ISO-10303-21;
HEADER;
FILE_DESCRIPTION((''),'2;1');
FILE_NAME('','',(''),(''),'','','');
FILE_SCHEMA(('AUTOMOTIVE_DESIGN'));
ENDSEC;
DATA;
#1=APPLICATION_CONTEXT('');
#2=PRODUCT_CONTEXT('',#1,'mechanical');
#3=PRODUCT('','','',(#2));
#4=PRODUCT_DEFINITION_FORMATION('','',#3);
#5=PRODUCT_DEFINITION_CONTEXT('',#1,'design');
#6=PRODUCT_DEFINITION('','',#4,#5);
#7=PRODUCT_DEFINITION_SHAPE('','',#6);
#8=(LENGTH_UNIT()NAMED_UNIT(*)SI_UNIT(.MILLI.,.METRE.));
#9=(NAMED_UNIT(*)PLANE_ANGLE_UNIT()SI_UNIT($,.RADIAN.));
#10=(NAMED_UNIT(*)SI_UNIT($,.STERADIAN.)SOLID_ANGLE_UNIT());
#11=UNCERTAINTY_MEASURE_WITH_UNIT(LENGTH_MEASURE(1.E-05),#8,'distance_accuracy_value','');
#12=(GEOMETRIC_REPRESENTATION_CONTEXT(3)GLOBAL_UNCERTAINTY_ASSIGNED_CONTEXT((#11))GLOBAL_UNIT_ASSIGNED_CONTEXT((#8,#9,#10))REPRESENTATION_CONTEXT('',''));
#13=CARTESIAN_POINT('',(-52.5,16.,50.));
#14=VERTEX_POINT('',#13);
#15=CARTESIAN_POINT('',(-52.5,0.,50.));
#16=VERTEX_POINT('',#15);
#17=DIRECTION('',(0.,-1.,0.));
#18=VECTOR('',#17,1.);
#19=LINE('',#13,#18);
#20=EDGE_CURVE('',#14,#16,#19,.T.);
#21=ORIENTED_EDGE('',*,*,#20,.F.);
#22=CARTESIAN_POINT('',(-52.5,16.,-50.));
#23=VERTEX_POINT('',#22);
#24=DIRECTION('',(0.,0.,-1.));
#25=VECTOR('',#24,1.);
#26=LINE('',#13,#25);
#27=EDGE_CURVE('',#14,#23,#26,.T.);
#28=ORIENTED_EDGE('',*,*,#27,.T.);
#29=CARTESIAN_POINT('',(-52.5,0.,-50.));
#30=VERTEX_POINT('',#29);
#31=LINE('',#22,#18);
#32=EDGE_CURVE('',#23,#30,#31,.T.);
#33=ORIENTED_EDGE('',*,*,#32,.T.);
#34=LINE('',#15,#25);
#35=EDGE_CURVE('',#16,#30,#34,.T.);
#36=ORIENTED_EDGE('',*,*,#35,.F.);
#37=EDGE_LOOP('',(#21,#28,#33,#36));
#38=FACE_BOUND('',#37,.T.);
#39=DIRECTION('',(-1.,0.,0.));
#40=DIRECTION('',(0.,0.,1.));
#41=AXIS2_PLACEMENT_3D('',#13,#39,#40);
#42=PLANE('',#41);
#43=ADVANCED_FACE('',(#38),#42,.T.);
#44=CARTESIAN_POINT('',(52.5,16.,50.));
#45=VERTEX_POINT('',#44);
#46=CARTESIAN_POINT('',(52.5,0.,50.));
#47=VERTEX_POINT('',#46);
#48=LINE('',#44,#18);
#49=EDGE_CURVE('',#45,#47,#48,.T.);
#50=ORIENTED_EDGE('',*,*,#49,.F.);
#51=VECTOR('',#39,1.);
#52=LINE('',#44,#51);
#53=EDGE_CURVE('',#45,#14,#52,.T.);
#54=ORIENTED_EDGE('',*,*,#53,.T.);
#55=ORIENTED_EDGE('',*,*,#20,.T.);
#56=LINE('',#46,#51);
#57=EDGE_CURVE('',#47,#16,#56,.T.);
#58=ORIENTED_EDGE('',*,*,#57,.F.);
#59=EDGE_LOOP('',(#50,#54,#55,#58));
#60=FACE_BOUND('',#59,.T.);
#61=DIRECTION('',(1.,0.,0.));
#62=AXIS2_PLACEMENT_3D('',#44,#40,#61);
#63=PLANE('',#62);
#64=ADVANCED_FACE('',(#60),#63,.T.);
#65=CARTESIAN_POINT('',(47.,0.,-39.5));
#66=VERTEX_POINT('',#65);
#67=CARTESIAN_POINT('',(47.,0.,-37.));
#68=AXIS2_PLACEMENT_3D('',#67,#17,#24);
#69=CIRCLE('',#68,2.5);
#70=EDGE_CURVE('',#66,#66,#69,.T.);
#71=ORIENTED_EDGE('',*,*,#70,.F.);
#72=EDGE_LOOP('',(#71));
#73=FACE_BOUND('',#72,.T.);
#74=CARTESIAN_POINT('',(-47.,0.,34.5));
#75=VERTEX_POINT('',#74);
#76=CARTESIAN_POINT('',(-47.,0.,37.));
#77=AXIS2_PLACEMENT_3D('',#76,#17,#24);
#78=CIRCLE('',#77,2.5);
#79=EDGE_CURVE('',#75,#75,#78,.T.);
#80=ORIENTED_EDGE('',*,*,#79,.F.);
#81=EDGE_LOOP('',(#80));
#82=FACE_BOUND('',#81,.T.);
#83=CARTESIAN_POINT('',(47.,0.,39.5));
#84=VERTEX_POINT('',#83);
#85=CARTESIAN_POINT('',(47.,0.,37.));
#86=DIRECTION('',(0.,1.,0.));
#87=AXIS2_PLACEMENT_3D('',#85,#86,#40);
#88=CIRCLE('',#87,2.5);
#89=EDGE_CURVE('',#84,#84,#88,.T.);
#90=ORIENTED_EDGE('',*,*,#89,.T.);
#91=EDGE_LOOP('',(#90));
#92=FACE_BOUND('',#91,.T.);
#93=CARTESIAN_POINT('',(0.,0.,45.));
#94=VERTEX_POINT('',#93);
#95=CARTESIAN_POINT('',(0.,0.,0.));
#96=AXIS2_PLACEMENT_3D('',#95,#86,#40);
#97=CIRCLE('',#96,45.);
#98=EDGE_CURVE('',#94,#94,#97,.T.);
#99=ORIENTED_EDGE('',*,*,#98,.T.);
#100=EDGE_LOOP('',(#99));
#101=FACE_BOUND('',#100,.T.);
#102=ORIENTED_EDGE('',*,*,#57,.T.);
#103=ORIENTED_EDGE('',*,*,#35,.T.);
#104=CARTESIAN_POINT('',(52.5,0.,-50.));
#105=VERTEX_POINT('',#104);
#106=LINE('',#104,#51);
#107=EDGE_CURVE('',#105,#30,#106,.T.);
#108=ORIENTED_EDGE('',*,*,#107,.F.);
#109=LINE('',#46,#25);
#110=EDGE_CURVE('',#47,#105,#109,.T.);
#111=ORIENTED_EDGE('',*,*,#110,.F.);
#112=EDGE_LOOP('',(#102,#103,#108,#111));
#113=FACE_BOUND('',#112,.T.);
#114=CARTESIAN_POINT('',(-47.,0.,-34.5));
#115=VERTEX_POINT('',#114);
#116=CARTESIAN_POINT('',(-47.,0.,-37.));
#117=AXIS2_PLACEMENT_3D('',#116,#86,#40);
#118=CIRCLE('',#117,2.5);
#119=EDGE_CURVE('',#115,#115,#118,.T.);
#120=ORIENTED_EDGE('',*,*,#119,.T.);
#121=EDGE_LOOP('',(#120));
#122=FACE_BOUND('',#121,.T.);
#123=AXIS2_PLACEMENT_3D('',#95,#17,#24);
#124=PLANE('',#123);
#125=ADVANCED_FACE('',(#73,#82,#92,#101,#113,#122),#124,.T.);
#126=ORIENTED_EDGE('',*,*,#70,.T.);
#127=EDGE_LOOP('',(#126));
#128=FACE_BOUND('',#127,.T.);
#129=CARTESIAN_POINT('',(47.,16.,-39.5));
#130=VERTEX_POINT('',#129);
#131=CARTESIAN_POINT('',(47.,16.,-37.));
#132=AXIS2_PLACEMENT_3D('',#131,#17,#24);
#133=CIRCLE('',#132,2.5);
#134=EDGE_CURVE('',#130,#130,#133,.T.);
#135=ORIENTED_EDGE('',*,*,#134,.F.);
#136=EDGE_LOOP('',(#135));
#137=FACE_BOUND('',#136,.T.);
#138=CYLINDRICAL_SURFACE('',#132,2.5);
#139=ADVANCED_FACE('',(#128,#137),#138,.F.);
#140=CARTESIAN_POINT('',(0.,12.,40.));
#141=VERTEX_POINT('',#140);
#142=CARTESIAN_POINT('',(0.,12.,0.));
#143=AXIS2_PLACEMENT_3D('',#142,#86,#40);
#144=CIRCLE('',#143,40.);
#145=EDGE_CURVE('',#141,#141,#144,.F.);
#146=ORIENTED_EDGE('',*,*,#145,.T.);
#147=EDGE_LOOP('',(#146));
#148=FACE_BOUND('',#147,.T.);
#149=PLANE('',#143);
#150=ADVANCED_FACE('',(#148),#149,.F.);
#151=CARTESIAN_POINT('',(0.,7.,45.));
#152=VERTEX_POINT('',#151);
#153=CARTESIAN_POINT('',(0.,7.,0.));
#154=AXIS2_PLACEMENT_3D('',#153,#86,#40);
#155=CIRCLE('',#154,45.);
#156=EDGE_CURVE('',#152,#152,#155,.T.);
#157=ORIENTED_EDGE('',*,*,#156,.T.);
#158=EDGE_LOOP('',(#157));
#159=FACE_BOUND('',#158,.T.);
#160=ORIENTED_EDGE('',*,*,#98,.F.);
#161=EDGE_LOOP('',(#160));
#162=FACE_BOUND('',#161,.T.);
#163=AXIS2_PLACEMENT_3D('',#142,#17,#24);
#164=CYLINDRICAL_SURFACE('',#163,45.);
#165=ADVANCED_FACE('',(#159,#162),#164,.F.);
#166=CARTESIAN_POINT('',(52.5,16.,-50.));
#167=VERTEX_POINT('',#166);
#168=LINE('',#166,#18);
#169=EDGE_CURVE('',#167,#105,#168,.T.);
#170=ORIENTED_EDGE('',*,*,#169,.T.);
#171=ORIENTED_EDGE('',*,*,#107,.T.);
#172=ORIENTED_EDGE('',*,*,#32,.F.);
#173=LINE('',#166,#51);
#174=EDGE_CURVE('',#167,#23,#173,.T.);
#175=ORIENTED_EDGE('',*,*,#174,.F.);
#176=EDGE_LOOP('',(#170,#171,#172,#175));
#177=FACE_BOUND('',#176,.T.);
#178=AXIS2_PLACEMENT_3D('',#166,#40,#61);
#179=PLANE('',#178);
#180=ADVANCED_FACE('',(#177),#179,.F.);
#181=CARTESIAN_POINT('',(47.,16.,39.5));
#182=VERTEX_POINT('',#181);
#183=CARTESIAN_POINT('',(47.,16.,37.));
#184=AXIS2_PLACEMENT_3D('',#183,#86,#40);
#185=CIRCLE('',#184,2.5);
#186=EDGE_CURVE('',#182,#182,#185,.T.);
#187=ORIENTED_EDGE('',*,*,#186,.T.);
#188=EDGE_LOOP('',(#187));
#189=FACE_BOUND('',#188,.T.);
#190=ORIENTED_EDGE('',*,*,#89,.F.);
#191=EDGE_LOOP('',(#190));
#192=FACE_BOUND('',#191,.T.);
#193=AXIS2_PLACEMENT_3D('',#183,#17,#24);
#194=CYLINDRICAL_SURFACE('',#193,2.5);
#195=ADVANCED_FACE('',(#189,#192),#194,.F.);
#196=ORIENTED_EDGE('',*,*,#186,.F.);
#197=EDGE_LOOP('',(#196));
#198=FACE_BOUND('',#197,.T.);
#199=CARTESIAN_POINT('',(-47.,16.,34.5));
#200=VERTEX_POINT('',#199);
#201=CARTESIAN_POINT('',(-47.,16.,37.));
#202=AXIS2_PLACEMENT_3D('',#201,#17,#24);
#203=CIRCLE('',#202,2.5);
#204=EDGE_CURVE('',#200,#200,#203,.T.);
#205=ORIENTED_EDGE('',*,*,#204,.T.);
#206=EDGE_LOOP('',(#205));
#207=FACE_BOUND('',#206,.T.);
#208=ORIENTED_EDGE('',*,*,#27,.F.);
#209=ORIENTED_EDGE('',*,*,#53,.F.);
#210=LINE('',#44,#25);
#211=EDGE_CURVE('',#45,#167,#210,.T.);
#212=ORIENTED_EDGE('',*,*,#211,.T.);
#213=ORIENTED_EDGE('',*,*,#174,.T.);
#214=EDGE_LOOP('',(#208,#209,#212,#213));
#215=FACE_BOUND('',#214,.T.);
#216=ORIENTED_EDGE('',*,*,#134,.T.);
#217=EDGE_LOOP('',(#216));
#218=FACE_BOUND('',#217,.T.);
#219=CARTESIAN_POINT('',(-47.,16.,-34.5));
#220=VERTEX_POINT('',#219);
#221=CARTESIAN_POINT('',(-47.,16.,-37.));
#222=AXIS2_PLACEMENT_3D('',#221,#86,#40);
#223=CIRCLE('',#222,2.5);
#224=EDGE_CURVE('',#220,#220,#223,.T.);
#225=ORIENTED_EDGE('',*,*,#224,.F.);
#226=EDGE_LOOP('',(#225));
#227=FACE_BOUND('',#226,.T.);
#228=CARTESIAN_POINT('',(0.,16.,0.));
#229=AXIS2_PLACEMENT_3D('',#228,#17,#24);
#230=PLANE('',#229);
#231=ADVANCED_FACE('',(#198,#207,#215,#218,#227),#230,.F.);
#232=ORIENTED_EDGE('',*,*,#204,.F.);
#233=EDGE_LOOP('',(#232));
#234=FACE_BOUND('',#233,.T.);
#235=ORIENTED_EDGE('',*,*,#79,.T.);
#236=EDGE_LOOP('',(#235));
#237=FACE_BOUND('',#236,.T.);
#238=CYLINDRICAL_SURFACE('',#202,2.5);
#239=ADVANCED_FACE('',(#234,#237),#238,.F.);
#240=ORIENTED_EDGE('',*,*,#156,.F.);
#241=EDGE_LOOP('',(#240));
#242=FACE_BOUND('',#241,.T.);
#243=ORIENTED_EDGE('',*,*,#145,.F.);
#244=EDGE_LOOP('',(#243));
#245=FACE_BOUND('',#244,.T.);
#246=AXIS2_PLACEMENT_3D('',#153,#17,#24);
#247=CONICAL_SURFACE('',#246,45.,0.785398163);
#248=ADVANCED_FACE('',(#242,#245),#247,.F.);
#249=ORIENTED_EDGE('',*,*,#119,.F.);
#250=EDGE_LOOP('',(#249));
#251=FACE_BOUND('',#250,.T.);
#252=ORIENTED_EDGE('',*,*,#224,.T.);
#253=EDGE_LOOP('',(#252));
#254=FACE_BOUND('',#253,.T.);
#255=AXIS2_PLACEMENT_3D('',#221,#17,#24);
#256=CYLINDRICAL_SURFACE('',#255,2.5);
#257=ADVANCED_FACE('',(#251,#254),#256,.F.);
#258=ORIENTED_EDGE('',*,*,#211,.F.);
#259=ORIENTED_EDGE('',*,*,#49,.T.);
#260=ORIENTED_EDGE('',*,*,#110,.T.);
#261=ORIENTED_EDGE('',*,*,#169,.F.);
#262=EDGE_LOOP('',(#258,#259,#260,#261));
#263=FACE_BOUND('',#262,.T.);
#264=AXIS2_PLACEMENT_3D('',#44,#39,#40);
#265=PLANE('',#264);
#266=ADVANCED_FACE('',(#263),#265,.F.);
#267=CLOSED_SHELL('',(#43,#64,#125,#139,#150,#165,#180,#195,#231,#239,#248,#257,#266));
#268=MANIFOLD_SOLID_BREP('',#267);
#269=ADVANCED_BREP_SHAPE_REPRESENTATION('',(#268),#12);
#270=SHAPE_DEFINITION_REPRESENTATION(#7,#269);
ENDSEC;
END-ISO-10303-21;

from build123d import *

# Parameters (mm, degrees)
SKETCH1_W           = 105
SKETCH1_H           = 100
SKETCH1_R           = 2.5
BOSS_EXTRUDE2_DEPTH = 16
SKETCH2_R           = 45
CUT_EXTRUDE1_DEPTH  = 12
CHAMFER1_SIZE       = 5


with BuildPart() as part:
    # Sketch1 → Boss-Extrude2 (new body)
    with BuildSketch(Plane(origin=(0, 0, 0), x_dir=(1, 0, 0), z_dir=(0, 1, 0))):
        Rectangle(SKETCH1_W, SKETCH1_H)
        with Locations((47, -37)):
            Circle(SKETCH1_R, mode=Mode.SUBTRACT)
        with Locations((47, 37)):
            Circle(SKETCH1_R, mode=Mode.SUBTRACT)
        with Locations((-47, 37)):
            Circle(SKETCH1_R, mode=Mode.SUBTRACT)
        with Locations((-47, -37)):
            Circle(SKETCH1_R, mode=Mode.SUBTRACT)
    extrude(amount=BOSS_EXTRUDE2_DEPTH)

    # Sketch2 → Cut-Extrude1 (cut)
    with BuildSketch(Plane(origin=(0, 0, 0), x_dir=(1, 0, 0), z_dir=(0, 1, 0))):
        Circle(SKETCH2_R)
    extrude(amount=CUT_EXTRUDE1_DEPTH, mode=Mode.SUBTRACT)

    # Chamfer1
    chamfer1_edges = [part.edges().sort_by_distance(p)[0] for p in [
        (-45, 12, 0),
    ]]
    chamfer(chamfer1_edges, length=CHAMFER1_SIZE)


solid = part.part
